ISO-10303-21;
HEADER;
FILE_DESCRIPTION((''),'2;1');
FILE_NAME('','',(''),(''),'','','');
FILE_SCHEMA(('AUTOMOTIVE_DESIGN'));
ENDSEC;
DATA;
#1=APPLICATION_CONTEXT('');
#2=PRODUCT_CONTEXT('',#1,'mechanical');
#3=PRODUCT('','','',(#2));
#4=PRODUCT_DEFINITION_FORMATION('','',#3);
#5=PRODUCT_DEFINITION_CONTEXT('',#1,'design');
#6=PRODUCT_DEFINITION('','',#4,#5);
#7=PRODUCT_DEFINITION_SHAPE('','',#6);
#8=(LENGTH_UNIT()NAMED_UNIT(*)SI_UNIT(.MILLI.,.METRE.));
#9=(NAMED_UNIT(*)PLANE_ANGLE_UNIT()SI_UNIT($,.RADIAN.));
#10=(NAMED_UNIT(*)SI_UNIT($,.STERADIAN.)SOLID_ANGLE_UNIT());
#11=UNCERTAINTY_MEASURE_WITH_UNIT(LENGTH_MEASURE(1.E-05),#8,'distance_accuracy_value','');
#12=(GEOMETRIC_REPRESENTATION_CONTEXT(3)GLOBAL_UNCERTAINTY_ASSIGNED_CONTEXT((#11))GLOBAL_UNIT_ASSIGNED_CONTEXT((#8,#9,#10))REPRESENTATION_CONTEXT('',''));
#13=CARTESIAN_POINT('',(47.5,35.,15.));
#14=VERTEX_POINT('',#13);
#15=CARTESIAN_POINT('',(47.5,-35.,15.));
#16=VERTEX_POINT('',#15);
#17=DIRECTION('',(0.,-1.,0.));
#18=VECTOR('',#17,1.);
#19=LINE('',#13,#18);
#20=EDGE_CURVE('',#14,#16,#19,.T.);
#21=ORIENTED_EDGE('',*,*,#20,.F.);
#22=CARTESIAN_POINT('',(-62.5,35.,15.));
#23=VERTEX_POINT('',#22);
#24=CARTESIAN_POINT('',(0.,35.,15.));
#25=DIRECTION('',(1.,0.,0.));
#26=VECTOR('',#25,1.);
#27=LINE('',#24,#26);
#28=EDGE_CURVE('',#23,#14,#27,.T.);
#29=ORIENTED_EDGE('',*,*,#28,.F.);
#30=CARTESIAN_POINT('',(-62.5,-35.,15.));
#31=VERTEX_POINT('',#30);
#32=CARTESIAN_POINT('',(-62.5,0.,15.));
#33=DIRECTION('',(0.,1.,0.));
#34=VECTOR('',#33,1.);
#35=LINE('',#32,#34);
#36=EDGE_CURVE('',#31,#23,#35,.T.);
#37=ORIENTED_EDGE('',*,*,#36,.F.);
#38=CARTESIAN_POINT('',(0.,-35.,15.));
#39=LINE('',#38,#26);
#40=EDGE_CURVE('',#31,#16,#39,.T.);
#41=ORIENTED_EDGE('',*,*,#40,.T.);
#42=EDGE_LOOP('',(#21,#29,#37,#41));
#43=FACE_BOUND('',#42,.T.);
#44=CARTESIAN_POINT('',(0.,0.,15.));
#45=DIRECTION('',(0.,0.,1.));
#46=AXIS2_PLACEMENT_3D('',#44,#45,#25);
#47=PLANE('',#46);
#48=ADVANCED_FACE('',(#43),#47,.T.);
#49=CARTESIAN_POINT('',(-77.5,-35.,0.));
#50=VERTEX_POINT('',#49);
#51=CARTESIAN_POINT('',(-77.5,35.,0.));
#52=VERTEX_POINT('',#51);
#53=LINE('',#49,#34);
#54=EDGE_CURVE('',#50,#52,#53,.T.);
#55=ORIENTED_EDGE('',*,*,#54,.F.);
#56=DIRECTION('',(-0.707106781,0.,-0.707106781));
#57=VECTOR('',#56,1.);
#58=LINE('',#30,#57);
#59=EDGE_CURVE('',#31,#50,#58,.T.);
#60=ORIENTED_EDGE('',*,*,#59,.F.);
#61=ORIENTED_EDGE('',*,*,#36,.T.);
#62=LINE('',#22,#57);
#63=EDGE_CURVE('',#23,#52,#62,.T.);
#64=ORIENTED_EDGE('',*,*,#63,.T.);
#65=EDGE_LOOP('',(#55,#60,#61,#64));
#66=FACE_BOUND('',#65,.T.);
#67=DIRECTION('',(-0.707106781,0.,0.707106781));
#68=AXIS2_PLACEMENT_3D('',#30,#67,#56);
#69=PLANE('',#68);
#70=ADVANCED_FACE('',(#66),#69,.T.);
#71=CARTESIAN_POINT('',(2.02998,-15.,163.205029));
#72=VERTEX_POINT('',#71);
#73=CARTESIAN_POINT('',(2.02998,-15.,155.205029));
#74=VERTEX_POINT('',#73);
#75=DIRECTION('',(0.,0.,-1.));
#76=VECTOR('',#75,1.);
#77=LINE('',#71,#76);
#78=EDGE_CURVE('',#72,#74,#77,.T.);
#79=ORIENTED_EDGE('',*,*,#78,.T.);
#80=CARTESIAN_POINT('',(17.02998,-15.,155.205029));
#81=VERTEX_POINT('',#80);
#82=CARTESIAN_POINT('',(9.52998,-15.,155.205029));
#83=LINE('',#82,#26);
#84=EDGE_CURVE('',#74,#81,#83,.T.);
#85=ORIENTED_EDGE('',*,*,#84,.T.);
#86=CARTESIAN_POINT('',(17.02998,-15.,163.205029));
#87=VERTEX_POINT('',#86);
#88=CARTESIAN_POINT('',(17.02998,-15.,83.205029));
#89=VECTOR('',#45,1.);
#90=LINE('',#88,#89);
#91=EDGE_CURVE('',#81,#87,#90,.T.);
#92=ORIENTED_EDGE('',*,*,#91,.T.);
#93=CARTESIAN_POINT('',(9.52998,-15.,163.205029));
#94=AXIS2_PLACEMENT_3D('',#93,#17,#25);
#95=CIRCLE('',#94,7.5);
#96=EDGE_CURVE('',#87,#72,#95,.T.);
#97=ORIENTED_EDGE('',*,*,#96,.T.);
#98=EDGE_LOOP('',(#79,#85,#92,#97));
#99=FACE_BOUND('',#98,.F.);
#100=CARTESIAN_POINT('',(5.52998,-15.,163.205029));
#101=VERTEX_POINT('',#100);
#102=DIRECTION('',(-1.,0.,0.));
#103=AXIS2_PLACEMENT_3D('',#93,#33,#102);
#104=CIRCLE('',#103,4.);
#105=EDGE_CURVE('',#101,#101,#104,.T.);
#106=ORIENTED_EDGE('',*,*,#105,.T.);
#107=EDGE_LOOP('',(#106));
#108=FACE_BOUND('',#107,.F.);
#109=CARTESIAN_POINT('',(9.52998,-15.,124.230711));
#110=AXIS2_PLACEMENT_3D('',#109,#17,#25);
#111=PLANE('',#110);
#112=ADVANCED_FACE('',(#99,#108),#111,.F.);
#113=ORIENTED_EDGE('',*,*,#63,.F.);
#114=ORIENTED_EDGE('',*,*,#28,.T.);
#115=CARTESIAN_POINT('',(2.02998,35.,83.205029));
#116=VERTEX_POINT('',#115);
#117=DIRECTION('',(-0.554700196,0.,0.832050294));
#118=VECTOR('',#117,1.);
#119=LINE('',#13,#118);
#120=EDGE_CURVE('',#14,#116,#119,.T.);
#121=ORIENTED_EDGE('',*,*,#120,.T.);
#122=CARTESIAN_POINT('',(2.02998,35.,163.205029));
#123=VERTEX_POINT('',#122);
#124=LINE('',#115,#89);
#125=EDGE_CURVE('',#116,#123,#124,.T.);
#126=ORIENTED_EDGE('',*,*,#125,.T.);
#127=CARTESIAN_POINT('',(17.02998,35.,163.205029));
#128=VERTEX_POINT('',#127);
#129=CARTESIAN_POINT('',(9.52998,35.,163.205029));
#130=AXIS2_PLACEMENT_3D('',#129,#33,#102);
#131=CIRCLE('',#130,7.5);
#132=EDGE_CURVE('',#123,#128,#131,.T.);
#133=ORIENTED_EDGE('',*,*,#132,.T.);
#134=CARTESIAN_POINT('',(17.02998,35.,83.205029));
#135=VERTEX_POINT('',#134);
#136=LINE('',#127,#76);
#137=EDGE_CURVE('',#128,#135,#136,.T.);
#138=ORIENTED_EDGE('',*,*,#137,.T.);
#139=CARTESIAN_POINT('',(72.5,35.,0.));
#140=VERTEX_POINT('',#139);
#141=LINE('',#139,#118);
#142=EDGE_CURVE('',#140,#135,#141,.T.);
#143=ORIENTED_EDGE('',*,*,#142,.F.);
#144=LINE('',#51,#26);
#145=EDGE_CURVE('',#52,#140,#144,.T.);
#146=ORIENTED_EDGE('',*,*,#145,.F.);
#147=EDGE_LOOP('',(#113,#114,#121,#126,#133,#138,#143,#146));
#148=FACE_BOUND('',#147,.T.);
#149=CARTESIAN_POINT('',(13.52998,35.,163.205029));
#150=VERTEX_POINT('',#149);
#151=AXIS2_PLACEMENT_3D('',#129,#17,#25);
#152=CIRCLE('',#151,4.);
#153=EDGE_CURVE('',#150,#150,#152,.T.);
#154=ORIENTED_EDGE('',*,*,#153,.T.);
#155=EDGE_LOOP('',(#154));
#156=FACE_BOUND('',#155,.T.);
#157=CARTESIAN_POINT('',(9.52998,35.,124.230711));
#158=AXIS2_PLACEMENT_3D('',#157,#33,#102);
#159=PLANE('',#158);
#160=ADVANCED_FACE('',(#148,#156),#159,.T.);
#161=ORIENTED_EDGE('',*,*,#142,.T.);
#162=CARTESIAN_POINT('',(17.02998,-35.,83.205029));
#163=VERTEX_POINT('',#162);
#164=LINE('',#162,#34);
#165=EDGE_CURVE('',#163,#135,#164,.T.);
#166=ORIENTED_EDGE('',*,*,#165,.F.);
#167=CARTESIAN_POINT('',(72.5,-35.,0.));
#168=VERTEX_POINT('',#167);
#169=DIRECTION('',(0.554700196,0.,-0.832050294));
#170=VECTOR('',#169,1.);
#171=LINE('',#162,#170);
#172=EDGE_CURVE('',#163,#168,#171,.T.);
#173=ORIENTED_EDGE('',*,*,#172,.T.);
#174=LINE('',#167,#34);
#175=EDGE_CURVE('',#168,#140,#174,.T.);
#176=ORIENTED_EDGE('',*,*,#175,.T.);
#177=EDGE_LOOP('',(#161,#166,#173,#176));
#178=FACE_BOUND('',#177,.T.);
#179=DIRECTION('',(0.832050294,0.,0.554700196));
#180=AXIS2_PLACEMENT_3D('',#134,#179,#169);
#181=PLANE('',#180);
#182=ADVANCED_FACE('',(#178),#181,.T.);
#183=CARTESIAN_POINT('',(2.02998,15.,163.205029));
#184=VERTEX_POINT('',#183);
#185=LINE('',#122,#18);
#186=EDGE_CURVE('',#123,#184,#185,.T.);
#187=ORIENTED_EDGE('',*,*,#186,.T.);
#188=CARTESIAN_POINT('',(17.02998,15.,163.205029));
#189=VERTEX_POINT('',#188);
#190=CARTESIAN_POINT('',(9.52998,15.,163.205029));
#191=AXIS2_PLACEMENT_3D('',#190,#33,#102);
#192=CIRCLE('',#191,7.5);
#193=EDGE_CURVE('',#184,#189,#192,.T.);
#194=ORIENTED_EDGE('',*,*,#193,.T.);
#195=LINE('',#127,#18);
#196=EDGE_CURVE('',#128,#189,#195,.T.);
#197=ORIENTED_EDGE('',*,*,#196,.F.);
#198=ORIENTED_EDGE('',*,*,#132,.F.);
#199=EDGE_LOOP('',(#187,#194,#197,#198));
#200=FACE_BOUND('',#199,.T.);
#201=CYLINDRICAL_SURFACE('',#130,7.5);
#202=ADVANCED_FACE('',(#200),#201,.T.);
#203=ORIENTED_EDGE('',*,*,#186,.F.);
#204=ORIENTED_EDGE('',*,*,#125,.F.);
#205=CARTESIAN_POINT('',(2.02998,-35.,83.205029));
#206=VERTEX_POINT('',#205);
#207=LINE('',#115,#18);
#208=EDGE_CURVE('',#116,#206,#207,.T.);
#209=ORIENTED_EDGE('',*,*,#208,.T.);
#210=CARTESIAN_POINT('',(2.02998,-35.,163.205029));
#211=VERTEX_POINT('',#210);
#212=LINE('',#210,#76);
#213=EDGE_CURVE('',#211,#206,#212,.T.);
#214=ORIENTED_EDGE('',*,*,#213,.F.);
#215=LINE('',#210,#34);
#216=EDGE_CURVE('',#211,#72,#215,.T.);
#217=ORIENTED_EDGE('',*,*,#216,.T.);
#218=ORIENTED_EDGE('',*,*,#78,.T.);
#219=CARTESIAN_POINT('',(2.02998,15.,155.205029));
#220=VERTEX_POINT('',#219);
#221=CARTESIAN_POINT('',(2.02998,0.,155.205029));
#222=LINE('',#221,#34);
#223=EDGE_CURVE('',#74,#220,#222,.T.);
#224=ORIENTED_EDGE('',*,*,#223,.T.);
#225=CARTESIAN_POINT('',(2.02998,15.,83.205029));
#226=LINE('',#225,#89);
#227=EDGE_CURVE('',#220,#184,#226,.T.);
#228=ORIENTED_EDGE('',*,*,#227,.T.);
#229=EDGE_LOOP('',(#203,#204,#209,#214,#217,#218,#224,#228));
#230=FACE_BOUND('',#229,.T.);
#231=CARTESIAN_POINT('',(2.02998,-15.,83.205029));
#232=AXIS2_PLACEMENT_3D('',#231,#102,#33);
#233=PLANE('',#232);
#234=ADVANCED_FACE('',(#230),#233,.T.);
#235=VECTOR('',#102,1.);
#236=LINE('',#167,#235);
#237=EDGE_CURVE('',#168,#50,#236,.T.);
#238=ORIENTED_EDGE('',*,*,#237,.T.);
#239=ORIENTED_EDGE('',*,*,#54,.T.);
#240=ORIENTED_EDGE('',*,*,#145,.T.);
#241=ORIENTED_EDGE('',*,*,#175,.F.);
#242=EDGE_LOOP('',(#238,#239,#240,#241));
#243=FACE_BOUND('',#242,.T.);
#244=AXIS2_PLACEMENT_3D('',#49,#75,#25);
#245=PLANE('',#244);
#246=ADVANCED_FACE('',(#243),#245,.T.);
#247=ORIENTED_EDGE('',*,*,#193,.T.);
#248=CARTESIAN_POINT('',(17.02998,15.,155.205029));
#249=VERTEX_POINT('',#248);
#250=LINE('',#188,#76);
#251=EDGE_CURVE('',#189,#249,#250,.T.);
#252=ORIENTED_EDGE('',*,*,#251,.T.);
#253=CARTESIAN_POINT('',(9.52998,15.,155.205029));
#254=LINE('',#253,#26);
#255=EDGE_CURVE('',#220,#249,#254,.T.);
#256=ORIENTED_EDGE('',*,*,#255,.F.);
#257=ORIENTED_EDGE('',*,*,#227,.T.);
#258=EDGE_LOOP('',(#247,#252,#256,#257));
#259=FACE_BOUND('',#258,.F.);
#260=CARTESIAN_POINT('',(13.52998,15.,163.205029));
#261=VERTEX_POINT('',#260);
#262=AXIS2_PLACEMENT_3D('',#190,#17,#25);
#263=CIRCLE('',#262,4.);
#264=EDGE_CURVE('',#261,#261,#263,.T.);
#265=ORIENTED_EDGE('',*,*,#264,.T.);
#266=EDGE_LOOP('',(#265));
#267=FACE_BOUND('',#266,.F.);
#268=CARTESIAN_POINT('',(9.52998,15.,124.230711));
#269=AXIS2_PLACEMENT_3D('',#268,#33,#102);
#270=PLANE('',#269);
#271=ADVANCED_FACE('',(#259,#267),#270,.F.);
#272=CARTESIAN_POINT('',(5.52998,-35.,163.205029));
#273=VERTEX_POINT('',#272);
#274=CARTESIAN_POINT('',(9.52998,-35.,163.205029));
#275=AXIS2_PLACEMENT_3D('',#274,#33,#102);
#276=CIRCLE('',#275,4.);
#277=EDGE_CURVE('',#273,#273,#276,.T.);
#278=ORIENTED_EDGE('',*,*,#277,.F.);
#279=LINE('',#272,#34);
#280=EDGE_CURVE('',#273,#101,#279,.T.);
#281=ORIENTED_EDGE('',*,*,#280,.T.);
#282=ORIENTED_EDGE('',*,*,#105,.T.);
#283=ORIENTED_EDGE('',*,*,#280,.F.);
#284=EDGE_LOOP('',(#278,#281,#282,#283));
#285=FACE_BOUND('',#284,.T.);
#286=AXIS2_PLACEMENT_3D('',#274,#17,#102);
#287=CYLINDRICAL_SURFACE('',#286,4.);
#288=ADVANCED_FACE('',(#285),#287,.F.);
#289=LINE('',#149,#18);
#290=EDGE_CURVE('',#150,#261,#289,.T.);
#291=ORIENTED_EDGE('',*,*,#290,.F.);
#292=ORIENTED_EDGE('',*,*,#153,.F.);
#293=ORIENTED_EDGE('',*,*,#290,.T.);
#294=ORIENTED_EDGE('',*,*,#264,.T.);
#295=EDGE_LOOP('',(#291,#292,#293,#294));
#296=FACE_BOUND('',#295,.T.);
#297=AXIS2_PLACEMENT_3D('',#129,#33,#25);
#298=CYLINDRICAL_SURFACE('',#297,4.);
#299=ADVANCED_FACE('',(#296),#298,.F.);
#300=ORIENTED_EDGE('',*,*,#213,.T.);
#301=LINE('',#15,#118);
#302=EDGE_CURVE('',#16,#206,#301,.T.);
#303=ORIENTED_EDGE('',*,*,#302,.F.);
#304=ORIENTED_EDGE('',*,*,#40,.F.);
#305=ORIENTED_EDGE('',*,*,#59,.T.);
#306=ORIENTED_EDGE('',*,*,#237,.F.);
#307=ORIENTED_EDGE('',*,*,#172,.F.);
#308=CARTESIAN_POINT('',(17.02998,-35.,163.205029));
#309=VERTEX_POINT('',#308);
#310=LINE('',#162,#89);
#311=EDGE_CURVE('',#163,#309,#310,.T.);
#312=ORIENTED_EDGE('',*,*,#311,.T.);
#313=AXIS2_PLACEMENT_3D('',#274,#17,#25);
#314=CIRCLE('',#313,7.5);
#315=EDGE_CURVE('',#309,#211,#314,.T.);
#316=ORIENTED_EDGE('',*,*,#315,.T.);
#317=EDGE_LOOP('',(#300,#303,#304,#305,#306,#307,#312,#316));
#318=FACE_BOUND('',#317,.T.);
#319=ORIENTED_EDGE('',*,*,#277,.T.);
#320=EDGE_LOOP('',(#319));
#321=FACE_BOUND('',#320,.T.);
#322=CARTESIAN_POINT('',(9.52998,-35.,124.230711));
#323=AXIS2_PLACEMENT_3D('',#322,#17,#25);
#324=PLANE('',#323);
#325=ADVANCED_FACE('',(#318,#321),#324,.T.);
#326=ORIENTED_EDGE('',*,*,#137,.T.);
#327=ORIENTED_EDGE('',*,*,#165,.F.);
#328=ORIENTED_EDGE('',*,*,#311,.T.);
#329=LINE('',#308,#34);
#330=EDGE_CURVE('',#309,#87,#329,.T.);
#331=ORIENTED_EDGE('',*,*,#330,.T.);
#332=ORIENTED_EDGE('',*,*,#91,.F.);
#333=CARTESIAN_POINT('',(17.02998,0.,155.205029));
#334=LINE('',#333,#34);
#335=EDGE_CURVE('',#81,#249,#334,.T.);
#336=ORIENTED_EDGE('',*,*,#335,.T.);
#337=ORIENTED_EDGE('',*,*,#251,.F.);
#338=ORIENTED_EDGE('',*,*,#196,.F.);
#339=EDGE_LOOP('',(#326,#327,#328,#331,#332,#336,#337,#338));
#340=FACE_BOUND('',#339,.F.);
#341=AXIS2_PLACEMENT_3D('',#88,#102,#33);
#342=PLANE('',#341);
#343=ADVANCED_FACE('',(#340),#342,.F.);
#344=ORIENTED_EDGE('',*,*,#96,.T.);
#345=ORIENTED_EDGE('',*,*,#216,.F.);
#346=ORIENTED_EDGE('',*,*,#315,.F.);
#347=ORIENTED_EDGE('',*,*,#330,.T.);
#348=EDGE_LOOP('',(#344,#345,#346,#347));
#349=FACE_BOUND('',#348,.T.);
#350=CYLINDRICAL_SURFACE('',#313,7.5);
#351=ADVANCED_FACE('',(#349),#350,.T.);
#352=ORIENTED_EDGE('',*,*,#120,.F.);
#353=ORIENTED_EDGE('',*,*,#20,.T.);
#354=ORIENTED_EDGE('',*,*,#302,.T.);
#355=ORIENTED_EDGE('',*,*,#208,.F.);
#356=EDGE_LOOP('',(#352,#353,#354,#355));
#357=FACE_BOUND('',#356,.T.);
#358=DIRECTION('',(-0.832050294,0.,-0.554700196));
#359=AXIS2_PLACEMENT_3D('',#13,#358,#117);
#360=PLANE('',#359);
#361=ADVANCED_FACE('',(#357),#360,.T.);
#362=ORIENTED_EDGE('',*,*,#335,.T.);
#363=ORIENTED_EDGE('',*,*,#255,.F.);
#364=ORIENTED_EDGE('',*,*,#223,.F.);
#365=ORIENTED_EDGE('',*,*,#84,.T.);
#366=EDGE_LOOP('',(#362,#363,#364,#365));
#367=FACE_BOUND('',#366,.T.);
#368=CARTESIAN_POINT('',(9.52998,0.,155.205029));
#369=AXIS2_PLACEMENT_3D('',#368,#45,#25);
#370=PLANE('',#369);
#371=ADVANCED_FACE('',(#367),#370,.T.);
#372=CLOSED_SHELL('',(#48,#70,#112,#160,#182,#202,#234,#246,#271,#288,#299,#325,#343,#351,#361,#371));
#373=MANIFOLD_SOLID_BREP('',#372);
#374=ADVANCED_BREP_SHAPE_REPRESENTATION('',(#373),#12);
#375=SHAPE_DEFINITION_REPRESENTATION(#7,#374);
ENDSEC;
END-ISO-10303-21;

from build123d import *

# Parameters (mm, degrees)
F0_W      = 125
F0_H      = 70
F1_DEPTH  = 15
F3_DEPTH  = 70
F5_DEPTH  = 70
F7_DEPTH  = 70
F9_DEPTH  = 20
F11_DEPTH = 20
F12_W     = 15
F12_H     = 30
F13_DEPTH = 72


with BuildPart() as f1:
    # F0 (on Top) → F1 (new body)
    with BuildSketch(Plane.XY):
        Rectangle(F0_W, F0_H)
    extrude(amount=F1_DEPTH)

    # F2 (on face) → F3 (join)
    with BuildSketch(Plane.XZ.offset(35)):
        Polygon((62.5, 15), (62.5, 0), (72.5, 0), align=None)
    extrude(amount=-F3_DEPTH)

    # F4 (on face) → F5 (join)
    with BuildSketch(Plane.XZ.offset(35)):
        Polygon((-77.5, 0), (-62.5, 0), (-62.5, 15), align=None)
    extrude(amount=-F5_DEPTH)

    # F6 (on face) → F7 (join)
    with BuildSketch(Plane(origin=(0, 35, 0), x_dir=(-1, 0, 0), z_dir=(0, 1, 0))):
        Polygon((-17.0299803775, 83.2050294338), (-62.5, 15), (-47.5, 15), (-2.0299803775, 83.2050294338), align=None)
    extrude(amount=-F7_DEPTH)

    # F8 (on face) → F9 (join)
    with BuildSketch(Plane.XZ.offset(35)):
        with BuildLine():
            Line((2.0299803775, 163.2050294338), (2.0299803775, 83.2050294338))
            Line((2.0299803775, 83.2050294338), (17.0299803775, 83.2050294338))
            Line((17.0299803775, 83.2050294338), (17.0299803775, 163.2050294338))
            ThreePointArc((17.0299803775, 163.2050294338), (9.5299803775, 155.7050294338), (2.0299803775, 163.2050294338))
        make_face()
        with BuildLine():
            ThreePointArc((17.0299803775, 163.2050294338), (9.5299803775, 170.7050294338), (2.0299803775, 163.2050294338))
            Line((2.0299803775, 163.2050294338), (5.5299803775, 163.2050294338))
            ThreePointArc((5.5299803775, 163.2050294338), (9.5299803775, 167.2050294338), (13.5299803775, 163.2050294338))
            Line((13.5299803775, 163.2050294338), (17.0299803775, 163.2050294338))
        make_face()
        with BuildLine():
            Line((5.5299803775, 163.2050294338), (2.0299803775, 163.2050294338))
            ThreePointArc((2.0299803775, 163.2050294338), (9.5299803775, 155.7050294338), (17.0299803775, 163.2050294338))
            Line((17.0299803775, 163.2050294338), (13.5299803775, 163.2050294338))
            ThreePointArc((13.5299803775, 163.2050294338), (9.5299803775, 159.2050294338), (5.5299803775, 163.2050294338))
        make_face()
    extrude(amount=-F9_DEPTH)

    # F10 (on face) → F11 (join)
    with BuildSketch(Plane(origin=(0, 35, 0), x_dir=(-1, 0, 0), z_dir=(0, 1, 0))):
        with BuildLine():
            Line((-17.0299803775, 163.2050294338), (-17.0299803775, 83.2050294338))
            Line((-17.0299803775, 83.2050294338), (-2.0299803775, 83.2050294338))
            Line((-2.0299803775, 83.2050294338), (-2.0299803775, 163.2050294338))
            ThreePointArc((-2.0299803775, 163.2050294338), (-9.5299803775, 155.7050294338), (-17.0299803775, 163.2050294338))
        make_face()
        with BuildLine():
            ThreePointArc((-2.0299803775, 163.2050294338), (-9.5299803775, 170.7050294338), (-17.0299803775, 163.2050294338))
            Line((-17.0299803775, 163.2050294338), (-13.5299803775, 163.2050294338))
            ThreePointArc((-13.5299803775, 163.2050294338), (-9.5299803775, 167.2050294338), (-5.5299803775, 163.2050294338))
            Line((-5.5299803775, 163.2050294338), (-2.0299803775, 163.2050294338))
        make_face()
        with BuildLine():
            Line((-13.5299803775, 163.2050294338), (-17.0299803775, 163.2050294338))
            ThreePointArc((-17.0299803775, 163.2050294338), (-9.5299803775, 155.7050294338), (-2.0299803775, 163.2050294338))
            Line((-2.0299803775, 163.2050294338), (-5.5299803775, 163.2050294338))
            ThreePointArc((-5.5299803775, 163.2050294338), (-9.5299803775, 159.2050294338), (-13.5299803775, 163.2050294338))
        make_face()
    extrude(amount=-F11_DEPTH)

    # F12 (on face) → F13 (join)
    with BuildSketch(Plane.XY.offset(83.2050294338)):
        with Locations((9.5299803775, 0)):
            Rectangle(F12_W, F12_H)
    extrude(amount=F13_DEPTH)


solid = f1.part
